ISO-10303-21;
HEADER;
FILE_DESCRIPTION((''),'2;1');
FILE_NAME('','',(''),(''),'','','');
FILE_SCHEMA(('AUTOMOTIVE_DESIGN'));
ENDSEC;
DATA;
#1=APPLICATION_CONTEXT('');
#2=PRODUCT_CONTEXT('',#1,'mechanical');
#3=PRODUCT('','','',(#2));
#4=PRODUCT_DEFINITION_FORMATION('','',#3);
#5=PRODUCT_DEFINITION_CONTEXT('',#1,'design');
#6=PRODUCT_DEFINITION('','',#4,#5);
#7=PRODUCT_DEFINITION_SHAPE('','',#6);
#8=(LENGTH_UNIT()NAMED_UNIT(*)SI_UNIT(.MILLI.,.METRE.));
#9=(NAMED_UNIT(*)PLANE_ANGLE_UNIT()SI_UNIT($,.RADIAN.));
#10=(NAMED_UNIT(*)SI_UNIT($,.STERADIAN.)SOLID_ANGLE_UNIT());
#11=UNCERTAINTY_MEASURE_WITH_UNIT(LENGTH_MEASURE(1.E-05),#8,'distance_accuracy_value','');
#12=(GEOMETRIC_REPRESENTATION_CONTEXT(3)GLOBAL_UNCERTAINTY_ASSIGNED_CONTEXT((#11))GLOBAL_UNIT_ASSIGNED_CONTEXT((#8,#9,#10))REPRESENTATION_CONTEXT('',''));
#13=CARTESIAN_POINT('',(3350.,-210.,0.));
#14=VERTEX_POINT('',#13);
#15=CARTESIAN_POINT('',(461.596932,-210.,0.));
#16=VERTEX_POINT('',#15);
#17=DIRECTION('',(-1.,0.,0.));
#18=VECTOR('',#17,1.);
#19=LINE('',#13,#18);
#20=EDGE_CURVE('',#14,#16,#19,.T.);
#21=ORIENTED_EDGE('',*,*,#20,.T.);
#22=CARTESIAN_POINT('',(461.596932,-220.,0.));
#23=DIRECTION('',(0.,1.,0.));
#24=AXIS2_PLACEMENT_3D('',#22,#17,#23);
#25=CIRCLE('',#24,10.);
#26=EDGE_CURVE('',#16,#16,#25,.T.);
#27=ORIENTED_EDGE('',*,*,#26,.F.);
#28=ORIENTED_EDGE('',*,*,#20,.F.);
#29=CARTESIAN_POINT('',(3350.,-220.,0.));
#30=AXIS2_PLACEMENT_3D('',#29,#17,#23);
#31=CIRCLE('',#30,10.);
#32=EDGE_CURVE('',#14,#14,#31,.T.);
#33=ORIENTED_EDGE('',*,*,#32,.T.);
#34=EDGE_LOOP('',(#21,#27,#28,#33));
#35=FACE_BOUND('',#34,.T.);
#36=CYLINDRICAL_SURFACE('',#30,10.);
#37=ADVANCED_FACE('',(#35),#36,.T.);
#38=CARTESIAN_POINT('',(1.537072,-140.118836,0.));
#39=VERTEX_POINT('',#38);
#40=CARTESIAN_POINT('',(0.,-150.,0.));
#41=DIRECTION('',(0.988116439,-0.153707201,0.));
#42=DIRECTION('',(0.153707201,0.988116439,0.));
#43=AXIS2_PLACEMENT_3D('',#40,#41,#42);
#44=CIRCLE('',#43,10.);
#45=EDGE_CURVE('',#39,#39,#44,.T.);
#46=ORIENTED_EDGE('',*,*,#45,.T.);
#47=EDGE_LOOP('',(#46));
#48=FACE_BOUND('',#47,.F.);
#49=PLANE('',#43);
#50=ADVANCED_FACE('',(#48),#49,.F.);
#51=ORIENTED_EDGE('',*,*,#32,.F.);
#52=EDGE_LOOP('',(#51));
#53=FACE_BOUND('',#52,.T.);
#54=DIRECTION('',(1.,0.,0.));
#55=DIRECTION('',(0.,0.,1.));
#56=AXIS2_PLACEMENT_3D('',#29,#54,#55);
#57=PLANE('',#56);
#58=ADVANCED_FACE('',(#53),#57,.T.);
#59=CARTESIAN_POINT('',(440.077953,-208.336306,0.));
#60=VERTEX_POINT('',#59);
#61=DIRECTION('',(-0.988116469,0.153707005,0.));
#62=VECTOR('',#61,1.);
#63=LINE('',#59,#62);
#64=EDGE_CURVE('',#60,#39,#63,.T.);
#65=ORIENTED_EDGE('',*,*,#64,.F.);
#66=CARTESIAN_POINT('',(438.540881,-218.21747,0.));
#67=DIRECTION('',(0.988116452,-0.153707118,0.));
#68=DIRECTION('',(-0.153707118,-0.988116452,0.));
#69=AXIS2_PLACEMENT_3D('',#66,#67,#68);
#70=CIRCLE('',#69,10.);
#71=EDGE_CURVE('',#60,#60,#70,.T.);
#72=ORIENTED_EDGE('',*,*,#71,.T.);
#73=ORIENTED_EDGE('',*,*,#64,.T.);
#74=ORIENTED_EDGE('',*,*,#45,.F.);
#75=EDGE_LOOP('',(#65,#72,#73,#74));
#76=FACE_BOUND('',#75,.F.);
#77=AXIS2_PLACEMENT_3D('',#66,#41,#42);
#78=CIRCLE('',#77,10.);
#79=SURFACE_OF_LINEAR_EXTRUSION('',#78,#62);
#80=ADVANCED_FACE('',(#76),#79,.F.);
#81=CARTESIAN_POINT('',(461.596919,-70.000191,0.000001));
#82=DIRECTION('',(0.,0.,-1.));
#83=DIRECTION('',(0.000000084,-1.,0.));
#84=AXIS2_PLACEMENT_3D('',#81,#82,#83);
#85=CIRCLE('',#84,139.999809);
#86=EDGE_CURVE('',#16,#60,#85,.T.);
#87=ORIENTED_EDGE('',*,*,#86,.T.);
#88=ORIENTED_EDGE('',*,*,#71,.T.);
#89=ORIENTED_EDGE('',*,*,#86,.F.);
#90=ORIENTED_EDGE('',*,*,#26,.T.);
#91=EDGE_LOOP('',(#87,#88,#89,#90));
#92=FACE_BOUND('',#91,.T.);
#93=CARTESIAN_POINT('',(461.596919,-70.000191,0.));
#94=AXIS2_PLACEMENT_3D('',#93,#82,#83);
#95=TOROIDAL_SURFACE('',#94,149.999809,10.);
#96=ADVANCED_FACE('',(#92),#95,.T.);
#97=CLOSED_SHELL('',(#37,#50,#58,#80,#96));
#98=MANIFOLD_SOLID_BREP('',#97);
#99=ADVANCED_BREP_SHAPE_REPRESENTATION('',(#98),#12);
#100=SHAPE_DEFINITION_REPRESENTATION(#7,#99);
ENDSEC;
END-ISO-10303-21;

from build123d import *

# Parameters (mm, degrees)
F2_R = 10


with BuildPart() as f3:
    # F3: sweep along a path in F0
    with BuildLine(Plane.XY) as f3_path:
        Line((3350, -220), (461.596932, -220))
        ThreePointArc((461.596932, -220), (450.034504, -219.553704), (438.540881, -218.21747))
        Line((438.540881, -218.21747), (0, -150))
    # F2 (on face) → F3 (sweep)
    with BuildSketch(Plane.YZ.offset(3350)):
        with Locations((-220, 0)):
            Circle(F2_R)
    sweep(path=f3_path.line)


solid = f3.part
